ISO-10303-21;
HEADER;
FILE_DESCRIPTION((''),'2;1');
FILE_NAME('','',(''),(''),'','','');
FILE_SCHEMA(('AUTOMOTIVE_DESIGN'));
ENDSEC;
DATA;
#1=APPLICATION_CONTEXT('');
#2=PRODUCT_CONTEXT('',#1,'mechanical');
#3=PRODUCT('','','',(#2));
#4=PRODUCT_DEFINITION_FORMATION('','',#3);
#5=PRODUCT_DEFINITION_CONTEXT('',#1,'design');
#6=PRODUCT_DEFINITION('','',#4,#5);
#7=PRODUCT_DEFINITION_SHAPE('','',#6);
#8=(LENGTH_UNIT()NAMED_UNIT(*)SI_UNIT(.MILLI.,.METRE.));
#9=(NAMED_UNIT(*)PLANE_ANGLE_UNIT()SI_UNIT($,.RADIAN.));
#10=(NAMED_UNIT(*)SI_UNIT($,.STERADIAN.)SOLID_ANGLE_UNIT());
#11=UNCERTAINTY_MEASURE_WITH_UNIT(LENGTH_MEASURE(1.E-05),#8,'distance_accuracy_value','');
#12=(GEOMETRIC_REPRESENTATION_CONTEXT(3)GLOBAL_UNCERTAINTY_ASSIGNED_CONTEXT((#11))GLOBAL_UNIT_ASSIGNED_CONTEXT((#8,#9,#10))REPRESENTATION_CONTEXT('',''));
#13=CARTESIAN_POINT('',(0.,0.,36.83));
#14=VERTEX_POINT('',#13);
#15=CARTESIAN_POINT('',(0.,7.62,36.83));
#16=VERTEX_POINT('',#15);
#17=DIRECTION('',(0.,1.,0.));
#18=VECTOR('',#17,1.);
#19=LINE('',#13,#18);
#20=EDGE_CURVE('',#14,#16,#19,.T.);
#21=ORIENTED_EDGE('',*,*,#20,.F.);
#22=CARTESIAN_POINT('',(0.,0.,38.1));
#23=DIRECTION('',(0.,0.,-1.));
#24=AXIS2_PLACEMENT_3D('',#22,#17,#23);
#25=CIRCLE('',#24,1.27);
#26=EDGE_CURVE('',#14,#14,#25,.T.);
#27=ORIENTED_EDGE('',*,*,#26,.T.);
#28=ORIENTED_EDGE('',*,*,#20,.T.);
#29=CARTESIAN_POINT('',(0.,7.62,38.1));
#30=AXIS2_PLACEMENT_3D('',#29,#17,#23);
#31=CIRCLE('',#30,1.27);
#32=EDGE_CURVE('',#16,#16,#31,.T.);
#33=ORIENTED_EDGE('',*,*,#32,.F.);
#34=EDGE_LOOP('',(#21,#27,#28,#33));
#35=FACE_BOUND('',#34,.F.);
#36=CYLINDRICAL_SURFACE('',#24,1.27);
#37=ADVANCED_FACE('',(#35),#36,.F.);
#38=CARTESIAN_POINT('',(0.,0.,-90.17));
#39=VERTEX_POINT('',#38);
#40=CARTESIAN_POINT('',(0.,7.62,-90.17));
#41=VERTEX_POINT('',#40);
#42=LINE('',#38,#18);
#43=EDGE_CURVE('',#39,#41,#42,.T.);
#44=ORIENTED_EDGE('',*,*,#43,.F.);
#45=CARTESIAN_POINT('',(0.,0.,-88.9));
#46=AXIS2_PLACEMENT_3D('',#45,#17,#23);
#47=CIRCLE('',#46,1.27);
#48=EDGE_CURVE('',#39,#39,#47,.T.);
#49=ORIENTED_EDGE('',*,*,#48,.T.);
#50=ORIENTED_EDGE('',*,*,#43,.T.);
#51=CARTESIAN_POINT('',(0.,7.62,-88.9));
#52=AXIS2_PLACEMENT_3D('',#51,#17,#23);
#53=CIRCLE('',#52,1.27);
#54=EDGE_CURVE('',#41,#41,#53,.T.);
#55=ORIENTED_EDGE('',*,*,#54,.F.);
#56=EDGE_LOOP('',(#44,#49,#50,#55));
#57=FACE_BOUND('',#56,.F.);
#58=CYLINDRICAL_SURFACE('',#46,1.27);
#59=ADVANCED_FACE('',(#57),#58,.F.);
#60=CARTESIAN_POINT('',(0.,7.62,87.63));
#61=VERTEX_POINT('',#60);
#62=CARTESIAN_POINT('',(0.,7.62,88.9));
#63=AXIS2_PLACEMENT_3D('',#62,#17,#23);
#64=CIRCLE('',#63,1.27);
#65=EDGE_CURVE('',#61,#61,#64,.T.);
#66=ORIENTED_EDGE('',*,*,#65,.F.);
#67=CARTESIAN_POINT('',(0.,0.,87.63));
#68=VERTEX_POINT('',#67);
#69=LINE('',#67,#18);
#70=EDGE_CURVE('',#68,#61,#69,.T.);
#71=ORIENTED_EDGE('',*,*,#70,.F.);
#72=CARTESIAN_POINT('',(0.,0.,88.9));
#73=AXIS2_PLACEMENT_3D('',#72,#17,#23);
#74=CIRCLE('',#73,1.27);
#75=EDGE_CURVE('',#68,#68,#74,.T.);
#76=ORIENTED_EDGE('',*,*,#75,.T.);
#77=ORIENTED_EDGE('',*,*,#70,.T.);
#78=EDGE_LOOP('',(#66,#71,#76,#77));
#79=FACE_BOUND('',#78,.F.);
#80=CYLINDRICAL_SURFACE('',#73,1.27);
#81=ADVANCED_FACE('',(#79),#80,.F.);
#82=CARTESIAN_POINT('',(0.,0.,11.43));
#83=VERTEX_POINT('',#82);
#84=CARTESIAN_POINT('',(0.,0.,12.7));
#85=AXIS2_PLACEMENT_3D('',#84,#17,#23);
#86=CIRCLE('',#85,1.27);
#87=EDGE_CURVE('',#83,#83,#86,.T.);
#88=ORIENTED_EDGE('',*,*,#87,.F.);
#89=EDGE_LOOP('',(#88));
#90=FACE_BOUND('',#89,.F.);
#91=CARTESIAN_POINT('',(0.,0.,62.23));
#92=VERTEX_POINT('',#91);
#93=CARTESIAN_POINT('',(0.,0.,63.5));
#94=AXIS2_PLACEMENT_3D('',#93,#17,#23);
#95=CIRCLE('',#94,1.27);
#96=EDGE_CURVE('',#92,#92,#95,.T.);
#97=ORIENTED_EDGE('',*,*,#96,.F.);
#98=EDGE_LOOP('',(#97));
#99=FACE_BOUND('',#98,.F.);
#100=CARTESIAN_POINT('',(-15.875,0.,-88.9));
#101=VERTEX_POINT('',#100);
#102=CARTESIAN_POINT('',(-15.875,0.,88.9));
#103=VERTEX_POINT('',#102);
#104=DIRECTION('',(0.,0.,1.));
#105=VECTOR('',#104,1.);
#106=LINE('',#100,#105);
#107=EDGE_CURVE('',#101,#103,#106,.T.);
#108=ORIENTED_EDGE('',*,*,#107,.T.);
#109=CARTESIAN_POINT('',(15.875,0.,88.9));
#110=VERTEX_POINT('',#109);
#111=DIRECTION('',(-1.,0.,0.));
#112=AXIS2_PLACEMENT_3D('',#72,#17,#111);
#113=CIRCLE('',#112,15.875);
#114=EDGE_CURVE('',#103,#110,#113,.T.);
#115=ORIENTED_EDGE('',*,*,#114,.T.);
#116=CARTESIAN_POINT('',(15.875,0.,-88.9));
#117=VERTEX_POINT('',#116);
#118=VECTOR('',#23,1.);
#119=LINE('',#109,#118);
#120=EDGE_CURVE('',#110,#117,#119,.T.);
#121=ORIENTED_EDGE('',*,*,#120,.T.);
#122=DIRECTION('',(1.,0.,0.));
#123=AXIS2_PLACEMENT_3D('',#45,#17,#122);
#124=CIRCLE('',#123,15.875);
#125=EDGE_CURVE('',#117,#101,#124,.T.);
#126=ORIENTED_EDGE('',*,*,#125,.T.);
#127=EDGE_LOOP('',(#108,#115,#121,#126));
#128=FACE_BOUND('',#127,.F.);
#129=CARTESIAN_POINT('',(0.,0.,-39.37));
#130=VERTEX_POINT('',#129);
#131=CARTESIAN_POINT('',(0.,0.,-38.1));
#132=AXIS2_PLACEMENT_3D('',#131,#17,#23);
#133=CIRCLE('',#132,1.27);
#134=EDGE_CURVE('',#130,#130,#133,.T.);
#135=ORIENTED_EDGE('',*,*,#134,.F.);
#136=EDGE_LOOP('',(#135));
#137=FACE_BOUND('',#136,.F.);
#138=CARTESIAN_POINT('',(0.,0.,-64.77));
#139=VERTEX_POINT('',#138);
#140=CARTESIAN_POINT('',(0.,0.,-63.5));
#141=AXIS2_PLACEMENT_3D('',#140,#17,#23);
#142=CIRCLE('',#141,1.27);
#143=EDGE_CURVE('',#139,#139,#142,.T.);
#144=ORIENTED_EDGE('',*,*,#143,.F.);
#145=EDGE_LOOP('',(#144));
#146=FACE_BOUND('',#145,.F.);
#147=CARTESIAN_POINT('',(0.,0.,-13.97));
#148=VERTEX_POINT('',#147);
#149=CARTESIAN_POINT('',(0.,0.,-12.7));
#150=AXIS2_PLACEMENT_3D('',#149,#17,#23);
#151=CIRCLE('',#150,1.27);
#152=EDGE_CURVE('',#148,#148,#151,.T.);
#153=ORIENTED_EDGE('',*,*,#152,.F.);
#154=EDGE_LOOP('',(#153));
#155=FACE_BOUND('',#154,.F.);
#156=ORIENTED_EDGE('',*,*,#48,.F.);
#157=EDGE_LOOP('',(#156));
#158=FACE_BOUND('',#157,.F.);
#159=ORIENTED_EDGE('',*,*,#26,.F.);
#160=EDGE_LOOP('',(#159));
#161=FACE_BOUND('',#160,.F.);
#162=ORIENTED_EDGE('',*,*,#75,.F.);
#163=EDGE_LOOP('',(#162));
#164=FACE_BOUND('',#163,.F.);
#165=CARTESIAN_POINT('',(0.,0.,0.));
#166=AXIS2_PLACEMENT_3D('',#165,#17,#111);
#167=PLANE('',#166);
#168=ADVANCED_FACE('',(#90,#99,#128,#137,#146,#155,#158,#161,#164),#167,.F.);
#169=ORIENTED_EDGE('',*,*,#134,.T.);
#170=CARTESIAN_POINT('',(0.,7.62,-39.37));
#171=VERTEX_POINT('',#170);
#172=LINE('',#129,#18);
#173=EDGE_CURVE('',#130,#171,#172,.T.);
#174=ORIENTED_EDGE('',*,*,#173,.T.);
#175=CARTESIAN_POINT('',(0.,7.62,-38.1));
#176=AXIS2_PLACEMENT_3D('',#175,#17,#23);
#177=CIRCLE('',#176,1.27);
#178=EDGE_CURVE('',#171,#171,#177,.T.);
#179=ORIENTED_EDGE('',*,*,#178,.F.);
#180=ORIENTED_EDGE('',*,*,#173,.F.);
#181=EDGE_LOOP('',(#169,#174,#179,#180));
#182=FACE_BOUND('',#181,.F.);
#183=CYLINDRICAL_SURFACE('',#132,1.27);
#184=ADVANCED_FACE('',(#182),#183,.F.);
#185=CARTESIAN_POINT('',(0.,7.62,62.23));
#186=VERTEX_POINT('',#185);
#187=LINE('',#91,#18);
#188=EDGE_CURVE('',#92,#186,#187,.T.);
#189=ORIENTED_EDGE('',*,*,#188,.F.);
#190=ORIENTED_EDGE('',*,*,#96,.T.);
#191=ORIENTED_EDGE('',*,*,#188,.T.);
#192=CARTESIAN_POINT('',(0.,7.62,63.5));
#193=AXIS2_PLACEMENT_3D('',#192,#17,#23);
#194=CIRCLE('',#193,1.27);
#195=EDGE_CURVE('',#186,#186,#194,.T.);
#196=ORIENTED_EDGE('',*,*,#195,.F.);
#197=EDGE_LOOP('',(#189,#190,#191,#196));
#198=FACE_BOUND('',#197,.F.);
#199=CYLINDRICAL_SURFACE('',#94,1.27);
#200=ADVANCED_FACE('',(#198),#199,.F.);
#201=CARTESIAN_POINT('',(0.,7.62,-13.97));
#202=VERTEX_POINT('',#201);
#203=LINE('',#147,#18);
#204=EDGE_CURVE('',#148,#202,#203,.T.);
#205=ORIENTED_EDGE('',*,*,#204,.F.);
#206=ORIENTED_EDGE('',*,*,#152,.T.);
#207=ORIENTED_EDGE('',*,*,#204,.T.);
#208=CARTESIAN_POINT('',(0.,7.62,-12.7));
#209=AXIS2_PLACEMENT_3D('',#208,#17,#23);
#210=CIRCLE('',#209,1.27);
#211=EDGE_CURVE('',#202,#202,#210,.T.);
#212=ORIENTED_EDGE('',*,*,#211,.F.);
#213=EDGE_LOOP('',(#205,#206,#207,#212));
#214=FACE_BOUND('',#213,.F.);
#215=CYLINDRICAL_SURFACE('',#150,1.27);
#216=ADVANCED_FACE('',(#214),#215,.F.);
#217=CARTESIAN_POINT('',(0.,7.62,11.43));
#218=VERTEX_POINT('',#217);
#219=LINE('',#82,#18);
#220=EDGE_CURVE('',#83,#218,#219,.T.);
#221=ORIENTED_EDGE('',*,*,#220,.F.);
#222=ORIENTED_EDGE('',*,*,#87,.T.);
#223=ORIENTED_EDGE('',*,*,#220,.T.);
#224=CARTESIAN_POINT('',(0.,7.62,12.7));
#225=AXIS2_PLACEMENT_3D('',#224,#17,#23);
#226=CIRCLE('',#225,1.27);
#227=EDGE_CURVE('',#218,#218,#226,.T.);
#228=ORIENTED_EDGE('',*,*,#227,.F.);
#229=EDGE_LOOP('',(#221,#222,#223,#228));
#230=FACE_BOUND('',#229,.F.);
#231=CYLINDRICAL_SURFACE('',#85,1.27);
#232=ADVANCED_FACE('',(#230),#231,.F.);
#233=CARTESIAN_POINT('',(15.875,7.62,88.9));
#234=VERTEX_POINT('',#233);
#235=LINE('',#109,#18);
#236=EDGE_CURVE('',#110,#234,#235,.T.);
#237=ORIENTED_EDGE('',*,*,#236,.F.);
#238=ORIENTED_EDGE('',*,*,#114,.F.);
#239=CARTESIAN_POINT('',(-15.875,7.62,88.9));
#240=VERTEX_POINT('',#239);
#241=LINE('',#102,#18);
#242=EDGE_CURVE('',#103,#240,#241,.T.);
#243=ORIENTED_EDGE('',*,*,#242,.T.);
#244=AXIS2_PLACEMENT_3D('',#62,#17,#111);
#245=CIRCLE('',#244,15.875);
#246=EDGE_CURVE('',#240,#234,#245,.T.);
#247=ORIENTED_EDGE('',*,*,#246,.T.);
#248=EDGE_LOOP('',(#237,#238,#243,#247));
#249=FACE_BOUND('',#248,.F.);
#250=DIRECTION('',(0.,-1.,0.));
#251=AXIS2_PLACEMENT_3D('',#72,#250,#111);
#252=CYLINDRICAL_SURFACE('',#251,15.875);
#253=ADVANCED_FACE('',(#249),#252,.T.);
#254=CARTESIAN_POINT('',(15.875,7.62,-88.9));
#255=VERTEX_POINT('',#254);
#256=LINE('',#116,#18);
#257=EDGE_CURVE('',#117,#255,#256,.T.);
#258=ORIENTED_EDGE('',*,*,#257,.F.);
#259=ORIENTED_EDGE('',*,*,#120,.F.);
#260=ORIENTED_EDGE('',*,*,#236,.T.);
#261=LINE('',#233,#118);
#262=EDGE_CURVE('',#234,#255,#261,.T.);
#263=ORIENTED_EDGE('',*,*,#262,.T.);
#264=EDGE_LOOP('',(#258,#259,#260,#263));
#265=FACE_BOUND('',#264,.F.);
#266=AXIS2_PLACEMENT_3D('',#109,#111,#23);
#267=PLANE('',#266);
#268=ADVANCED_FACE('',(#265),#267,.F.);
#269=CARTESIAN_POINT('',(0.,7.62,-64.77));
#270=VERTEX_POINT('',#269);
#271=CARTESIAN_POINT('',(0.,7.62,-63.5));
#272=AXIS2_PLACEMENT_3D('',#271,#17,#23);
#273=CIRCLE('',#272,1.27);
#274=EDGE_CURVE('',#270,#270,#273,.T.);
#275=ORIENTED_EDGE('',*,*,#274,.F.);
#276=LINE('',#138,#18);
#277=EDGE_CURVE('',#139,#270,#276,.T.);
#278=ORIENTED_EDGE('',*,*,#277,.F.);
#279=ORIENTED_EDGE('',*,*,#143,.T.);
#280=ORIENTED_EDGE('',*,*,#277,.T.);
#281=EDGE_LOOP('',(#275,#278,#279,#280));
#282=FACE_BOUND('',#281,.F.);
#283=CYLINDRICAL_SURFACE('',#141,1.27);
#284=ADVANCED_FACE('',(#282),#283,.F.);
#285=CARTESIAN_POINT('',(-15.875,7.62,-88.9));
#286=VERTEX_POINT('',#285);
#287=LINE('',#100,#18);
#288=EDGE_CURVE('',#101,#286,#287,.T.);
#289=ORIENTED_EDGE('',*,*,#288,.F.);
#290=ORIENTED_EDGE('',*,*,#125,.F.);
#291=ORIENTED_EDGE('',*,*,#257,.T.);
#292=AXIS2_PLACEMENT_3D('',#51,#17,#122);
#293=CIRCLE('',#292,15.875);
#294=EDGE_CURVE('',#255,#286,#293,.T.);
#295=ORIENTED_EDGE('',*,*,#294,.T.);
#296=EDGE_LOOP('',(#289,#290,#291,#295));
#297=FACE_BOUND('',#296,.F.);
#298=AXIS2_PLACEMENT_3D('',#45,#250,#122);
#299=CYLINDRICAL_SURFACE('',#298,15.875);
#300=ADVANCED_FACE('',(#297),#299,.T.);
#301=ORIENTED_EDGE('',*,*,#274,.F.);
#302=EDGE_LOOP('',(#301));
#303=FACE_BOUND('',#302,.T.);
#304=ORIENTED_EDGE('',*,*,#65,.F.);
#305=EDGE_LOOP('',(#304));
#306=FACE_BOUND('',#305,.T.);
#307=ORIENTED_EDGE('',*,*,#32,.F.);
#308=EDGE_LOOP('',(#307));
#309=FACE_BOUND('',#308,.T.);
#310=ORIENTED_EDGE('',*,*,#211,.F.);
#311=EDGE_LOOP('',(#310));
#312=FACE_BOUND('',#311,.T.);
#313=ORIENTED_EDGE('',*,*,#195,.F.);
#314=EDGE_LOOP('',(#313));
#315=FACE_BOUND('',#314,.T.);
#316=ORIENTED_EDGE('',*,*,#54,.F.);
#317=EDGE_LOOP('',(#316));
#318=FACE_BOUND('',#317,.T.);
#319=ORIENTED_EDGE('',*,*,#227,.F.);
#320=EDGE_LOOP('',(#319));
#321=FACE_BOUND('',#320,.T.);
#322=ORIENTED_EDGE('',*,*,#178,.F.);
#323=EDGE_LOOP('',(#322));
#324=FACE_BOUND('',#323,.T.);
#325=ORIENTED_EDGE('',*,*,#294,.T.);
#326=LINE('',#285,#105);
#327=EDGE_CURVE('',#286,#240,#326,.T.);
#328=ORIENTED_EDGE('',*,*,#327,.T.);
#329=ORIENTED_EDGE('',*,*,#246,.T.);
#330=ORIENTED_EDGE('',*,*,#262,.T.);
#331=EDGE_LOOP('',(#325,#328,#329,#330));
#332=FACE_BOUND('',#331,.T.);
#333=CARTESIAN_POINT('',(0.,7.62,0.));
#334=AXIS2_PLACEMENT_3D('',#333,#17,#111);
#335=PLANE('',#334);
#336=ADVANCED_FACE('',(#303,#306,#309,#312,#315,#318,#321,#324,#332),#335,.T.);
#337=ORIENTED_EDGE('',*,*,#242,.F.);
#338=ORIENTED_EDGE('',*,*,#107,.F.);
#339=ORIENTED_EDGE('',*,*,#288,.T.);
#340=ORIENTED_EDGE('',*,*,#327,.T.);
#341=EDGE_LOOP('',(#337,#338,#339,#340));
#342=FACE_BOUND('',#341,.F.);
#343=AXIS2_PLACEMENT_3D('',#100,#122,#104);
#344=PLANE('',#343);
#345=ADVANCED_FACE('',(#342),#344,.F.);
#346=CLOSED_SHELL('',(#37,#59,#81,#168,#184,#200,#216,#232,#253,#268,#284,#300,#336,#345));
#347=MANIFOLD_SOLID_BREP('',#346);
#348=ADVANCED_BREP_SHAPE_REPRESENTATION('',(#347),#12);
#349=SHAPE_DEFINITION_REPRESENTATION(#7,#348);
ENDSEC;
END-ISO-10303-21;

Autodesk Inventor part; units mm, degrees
ref_plane "YZ Plane" through (0, 0, 0) normal (1, 0, 0) x (0, 1, 0)
ref_plane "XZ Plane" through (0, 0, 0) normal (0, 1, 0) x (-1, 0, 0)
ref_plane "XY Plane" through (0, 0, 0) normal (0, 0, 1) x (1, 0, 0)
sketch "Sketch1" plane through (0, 0, 0) normal (0, 1, 0) x (-1, 0, 0)
  line L0 (0, -88.9) -> (0, 88.9) construction
  line L1 (15.875, -88.9) -> (15.875, 88.9)
  line L2 (-15.875, 88.9) -> (-15.875, -88.9)
  arc A0 (-15.875, -88.9) -> (15.875, -88.9) centre (0, -88.9) ccw
  arc A1 (15.875, 88.9) -> (-15.875, 88.9) centre (0, 88.9) ccw
  point P0 (0, 0)
  point P1 (0, 63.5)
  point P2 (0, 38.1)
  point P3 (0, 12.7)
  point P4 (0, -12.7)
  point P5 (0, -38.1)
  point P6 (0, -63.5)
  point P7 (0, -88.9)
  dimension "d0" = 31.75
  dimension "d1" = 177.8
  dimension "d4" = 25.4
extrude "Extrusion1" add sketch "Sketch1" along normal blind 7.62
hole "Hole1" at (0, 0, 88.9) at (0, 0, 63.5) at (0, 0, 38.1) at (0, 0, 12.7) at (0, 0, -12.7) at (0, 0, -38.1) at (0, 0, -63.5) at (0, 0, -88.9) direction (0, 1, 0) diameter 2.54 end through all
